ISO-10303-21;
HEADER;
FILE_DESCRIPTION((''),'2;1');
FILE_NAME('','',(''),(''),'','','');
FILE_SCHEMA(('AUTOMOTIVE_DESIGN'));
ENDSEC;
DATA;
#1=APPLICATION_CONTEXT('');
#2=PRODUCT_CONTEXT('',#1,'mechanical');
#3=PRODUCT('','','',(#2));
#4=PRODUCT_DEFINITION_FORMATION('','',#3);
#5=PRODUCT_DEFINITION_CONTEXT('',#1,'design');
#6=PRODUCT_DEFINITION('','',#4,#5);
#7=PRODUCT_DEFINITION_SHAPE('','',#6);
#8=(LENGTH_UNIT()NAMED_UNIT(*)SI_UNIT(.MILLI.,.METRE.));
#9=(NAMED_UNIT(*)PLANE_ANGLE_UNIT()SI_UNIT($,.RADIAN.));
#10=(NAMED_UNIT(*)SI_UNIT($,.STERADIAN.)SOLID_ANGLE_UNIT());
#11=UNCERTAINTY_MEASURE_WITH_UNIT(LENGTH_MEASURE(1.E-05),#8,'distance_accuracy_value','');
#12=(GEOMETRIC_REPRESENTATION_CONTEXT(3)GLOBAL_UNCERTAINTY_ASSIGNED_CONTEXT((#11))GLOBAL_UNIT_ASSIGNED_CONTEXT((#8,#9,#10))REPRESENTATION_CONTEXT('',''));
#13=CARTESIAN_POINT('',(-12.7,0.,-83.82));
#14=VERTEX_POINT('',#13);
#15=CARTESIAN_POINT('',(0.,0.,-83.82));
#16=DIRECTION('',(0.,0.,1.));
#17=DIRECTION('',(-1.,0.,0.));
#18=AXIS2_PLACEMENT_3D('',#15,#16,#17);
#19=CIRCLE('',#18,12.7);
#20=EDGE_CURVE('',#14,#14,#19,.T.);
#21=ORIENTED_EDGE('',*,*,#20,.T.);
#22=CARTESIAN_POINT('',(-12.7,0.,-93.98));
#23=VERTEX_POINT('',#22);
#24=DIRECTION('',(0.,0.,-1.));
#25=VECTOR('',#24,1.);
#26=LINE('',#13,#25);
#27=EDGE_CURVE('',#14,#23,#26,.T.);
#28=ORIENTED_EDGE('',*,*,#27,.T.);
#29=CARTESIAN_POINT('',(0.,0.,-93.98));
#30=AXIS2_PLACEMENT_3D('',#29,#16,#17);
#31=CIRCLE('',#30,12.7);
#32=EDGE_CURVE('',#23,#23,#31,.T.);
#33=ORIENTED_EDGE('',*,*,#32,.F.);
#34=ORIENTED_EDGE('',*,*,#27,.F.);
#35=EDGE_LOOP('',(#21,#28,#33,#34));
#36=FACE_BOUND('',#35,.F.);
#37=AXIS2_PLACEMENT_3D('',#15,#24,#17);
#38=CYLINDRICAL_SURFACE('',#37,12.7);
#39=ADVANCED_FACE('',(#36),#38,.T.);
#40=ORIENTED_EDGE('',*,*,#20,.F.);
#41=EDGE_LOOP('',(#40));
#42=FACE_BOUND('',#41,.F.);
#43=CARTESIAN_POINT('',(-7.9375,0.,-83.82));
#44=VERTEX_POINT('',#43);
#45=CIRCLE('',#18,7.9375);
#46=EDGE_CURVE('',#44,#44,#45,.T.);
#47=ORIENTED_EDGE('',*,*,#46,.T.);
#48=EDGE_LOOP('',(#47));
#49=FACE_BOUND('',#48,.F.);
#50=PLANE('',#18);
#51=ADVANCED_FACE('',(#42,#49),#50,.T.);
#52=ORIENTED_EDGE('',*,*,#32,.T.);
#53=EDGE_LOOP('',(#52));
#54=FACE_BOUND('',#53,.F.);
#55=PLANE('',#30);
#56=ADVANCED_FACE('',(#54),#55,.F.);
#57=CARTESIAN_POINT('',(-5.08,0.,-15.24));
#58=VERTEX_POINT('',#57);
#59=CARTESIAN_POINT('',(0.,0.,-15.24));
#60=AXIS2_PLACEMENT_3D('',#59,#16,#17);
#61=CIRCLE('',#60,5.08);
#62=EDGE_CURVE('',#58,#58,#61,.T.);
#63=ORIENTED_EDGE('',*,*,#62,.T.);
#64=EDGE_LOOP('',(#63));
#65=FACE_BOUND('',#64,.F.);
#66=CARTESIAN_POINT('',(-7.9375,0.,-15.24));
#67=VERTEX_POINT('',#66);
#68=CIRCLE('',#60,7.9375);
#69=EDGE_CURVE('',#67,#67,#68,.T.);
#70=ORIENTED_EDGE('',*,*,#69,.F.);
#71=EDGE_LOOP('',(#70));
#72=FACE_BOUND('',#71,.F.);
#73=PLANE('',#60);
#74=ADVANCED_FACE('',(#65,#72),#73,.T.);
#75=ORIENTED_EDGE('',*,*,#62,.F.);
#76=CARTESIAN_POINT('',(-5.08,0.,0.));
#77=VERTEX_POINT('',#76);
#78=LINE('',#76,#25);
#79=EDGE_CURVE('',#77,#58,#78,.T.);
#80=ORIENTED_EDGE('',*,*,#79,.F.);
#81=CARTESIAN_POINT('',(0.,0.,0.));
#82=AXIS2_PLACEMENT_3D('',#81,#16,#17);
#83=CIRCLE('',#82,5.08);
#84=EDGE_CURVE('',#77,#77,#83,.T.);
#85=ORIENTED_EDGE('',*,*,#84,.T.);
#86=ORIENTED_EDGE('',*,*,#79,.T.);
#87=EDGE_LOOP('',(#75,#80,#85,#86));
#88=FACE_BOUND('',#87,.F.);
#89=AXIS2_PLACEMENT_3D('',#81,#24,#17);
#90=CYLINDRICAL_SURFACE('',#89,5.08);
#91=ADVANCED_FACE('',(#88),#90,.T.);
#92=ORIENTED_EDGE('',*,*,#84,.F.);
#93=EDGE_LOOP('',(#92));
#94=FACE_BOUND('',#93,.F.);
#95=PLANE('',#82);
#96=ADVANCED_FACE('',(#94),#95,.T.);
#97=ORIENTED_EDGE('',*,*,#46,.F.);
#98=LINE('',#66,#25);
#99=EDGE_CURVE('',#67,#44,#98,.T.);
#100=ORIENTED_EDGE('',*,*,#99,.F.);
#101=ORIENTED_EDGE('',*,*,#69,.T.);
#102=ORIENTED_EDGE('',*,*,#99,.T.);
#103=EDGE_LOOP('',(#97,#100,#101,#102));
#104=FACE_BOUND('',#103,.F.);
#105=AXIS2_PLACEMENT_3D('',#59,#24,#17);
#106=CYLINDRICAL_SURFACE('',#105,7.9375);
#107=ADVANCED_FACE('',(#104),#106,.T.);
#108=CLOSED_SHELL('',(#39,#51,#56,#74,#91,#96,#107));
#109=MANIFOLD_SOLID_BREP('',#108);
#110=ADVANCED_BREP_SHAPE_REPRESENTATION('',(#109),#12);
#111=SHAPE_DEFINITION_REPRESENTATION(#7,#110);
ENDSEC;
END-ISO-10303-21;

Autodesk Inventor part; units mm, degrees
ref_plane "YZ Plane" through (0, 0, 0) normal (1, 0, 0) x (0, 1, 0)
ref_plane "XZ Plane" through (0, 0, 0) normal (0, 1, 0) x (-1, 0, 0)
ref_plane "XY Plane" through (0, 0, 0) normal (0, 0, 1) x (1, 0, 0)
sketch "Sketch1" plane through (0, 0, 0) normal (0, 1, 0) x (-1, 0, 0)
  line L0 (0, 0) -> (5.08, 0)
  line L1 (5.08, 0) -> (5.08, -15.24)
  line L2 (5.08, -15.24) -> (7.9375, -15.24)
  line L3 (7.9375, -15.24) -> (7.9375, -83.82)
  line L4 (7.9375, -83.82) -> (12.7, -83.82)
  line L5 (12.7, -83.82) -> (12.7, -93.98)
  line L6 (12.7, -93.98) -> (0, -93.98)
  line L7 (0, -93.98) -> (0, 0)
  dimension "d0" = 93.98
  dimension "d1" = 10.16
  dimension "d2" = 68.58
  dimension "d3" = 5.08
  dimension "d4" = 7.9375
  dimension "d5" = 12.7
revolve "Revolution1" add sketch "Sketch1" angle 360 about axis through (0, 0, -93.98) along (0, 0, 1)
thread "Thread1" size "1/2-13 UNC" class "1A" standard "ANSI Unified Screw Threads" full length
properties part number "Tornillo_1"
